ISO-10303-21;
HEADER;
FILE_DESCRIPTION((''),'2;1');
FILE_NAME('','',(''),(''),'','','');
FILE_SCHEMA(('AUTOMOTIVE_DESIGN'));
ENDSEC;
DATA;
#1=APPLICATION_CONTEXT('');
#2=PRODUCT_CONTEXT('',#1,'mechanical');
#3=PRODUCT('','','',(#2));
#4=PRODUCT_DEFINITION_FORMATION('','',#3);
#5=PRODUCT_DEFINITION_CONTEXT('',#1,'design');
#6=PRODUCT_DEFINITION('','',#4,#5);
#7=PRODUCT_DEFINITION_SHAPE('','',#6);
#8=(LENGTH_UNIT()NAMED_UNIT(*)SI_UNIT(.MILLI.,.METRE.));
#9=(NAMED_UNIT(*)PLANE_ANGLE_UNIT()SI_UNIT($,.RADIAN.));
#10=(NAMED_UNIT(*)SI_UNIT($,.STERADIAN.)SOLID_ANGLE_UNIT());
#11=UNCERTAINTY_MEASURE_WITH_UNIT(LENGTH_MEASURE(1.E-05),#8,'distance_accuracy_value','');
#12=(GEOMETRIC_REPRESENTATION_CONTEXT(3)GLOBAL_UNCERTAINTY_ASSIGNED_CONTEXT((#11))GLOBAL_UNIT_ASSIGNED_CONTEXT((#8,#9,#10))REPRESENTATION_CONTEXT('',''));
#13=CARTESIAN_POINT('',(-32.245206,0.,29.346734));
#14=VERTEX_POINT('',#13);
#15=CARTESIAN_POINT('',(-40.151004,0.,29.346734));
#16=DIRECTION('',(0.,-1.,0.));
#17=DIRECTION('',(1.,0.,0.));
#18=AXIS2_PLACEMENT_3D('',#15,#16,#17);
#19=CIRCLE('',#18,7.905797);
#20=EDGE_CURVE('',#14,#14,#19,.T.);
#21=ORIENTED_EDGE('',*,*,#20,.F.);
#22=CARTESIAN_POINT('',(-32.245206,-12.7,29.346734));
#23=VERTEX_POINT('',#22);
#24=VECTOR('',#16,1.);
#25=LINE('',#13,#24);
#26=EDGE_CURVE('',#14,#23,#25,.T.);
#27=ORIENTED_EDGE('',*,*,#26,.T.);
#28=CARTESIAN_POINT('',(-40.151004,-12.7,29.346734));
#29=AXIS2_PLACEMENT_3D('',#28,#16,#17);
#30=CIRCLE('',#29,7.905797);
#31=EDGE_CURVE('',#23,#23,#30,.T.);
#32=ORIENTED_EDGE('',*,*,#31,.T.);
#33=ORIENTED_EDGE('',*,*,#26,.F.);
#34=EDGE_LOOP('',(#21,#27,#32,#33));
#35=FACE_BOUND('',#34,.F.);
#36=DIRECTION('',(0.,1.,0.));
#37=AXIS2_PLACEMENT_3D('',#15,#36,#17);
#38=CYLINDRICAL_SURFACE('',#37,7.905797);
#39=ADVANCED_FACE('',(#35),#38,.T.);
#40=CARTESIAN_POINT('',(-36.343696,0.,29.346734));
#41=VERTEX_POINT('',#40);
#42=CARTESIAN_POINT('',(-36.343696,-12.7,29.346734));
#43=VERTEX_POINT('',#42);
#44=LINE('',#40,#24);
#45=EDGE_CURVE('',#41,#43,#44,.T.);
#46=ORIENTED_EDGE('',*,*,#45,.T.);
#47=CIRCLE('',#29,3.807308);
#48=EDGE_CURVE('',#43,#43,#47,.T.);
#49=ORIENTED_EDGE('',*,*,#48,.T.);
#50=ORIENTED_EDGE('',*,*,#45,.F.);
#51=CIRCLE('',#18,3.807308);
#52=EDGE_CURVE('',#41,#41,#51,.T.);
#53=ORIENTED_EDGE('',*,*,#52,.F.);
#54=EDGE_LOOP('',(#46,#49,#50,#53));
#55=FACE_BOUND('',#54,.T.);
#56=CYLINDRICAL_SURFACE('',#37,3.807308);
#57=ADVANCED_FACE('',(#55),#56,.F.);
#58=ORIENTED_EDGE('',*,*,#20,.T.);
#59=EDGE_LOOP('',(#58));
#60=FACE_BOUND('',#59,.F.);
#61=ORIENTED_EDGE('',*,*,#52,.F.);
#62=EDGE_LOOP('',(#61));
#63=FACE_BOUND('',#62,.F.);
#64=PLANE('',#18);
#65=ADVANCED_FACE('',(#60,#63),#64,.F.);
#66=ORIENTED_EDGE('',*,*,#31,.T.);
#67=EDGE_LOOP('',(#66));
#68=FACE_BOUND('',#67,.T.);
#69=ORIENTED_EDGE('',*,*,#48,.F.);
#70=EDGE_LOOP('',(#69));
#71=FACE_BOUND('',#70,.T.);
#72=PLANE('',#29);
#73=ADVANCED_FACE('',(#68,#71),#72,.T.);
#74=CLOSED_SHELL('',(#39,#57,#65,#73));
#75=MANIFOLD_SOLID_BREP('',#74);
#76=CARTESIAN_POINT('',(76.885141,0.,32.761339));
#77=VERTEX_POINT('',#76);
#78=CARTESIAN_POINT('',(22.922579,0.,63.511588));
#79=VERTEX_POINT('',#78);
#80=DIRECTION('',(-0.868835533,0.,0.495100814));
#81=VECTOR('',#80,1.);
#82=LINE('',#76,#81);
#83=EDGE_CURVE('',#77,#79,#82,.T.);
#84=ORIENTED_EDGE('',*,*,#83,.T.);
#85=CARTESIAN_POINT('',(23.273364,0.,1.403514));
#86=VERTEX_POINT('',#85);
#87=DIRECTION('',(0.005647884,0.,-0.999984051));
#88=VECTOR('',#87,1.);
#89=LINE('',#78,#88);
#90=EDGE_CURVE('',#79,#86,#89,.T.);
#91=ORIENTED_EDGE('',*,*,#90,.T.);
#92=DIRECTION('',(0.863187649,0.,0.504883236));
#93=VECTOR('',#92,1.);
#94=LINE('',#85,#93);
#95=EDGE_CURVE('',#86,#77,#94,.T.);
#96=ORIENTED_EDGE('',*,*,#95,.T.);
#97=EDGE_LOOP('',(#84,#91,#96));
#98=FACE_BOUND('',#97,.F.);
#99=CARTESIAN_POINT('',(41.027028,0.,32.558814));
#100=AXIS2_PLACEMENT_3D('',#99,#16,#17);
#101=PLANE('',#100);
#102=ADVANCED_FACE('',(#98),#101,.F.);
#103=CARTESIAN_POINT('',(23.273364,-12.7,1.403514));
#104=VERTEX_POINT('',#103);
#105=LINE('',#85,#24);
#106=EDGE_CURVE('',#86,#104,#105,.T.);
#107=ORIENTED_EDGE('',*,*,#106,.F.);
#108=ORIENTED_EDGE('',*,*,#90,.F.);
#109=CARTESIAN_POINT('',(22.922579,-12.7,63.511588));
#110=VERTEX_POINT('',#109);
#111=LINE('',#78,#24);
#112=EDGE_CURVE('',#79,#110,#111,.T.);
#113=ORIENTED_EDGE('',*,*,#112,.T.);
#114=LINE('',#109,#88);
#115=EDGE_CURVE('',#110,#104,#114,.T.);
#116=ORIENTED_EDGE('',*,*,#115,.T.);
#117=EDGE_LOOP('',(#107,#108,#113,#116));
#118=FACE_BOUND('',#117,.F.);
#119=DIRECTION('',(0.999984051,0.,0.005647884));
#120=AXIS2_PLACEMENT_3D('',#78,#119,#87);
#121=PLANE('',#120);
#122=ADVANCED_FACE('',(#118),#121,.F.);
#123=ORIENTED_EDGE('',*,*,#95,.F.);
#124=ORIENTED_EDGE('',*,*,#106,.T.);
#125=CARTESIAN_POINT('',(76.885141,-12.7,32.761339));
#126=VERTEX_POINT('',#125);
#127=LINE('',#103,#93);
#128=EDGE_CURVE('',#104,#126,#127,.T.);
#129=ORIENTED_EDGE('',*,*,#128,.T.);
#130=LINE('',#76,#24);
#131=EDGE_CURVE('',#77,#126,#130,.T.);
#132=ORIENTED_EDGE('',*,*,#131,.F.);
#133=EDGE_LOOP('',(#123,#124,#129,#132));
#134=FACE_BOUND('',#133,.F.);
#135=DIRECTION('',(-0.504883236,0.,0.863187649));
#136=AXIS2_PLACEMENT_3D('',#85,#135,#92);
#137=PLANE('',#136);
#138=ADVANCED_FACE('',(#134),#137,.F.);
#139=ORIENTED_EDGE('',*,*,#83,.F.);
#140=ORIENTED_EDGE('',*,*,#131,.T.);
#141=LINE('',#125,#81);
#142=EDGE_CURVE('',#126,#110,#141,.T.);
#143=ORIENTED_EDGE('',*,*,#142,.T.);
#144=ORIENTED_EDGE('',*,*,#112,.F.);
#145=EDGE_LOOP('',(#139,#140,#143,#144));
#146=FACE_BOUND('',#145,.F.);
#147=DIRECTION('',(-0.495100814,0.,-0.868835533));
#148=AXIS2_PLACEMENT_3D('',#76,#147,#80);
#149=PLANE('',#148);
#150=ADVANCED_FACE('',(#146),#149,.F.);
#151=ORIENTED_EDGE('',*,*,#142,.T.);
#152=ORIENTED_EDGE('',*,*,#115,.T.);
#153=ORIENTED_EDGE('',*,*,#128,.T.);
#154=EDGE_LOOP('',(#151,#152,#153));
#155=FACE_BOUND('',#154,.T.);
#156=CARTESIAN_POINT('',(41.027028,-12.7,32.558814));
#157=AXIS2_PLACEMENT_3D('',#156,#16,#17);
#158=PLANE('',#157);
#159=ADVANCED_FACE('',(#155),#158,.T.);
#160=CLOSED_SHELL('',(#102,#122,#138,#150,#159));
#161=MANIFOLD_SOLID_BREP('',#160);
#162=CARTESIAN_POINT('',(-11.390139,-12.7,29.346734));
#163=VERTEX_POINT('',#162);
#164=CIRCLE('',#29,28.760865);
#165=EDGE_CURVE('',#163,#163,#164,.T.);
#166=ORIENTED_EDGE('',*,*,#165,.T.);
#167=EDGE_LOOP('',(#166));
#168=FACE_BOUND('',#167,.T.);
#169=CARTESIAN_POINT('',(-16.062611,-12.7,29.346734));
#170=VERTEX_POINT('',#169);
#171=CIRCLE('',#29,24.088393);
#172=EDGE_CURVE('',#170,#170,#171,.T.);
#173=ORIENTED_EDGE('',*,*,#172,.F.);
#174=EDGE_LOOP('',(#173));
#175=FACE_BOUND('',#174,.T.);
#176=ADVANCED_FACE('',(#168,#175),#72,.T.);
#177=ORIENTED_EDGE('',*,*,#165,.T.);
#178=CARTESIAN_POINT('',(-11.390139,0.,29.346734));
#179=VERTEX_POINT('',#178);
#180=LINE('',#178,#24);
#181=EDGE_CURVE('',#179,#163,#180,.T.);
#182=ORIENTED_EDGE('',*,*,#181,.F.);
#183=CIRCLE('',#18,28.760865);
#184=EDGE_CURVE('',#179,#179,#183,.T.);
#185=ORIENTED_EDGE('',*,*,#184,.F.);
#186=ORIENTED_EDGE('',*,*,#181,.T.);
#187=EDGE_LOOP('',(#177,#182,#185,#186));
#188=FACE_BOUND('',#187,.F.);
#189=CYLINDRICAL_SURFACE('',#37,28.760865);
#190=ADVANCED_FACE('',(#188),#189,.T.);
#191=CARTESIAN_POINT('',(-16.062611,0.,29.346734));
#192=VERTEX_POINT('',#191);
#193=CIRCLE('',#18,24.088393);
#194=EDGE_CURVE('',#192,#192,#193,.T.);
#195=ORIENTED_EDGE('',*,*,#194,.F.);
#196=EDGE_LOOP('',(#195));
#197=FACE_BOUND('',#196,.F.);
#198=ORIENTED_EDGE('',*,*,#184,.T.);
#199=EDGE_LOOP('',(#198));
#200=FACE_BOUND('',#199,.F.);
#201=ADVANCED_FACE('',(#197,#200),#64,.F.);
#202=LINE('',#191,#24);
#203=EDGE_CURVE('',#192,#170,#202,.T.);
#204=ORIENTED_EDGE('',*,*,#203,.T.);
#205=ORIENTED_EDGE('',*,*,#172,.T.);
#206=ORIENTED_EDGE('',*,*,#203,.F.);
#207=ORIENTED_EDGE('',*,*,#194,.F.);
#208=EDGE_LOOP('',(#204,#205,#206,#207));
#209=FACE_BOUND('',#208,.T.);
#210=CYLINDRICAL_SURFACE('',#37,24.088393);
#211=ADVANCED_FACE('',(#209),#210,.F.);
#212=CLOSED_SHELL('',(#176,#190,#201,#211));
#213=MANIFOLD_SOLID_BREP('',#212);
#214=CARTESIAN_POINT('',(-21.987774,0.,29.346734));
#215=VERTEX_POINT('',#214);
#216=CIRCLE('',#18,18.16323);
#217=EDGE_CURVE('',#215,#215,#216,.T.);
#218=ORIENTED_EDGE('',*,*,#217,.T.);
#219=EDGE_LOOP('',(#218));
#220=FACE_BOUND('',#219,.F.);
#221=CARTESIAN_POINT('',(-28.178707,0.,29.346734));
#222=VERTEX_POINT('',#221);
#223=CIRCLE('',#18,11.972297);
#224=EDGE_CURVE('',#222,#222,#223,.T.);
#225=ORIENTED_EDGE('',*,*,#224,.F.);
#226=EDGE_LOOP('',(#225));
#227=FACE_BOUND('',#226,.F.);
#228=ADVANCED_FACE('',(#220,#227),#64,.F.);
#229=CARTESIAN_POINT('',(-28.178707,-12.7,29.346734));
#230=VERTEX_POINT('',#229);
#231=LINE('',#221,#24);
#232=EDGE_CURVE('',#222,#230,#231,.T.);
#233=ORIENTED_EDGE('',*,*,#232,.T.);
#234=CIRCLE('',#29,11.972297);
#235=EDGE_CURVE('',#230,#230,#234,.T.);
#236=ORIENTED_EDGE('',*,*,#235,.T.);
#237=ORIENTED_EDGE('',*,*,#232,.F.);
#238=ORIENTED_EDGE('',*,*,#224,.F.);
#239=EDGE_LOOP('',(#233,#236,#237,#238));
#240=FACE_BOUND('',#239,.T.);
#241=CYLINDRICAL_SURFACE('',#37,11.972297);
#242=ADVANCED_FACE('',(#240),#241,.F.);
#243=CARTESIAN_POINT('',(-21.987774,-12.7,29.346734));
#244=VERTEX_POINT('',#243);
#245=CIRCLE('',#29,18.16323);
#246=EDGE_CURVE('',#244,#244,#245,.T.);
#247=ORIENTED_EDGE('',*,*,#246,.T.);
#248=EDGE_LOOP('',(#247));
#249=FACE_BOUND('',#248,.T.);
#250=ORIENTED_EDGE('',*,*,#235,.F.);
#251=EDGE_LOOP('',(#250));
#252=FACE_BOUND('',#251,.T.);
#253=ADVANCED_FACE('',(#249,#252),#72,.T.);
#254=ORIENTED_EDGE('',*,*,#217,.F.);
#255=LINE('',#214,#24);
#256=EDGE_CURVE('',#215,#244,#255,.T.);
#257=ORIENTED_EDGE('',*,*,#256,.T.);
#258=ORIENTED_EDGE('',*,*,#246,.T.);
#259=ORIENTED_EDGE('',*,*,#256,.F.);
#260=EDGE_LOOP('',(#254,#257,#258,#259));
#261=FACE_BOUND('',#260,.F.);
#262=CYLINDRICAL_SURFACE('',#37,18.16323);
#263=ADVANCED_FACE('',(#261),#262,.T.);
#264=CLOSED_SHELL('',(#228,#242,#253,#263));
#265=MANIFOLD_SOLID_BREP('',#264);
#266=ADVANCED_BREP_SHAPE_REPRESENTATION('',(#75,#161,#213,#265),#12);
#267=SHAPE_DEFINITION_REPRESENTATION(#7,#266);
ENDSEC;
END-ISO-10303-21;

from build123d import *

# Parameters (mm, degrees)
F0_R     = 18.1632297986
F0_R_2   = 11.972296983
F2_DEPTH = 12.7
F0_R_3   = 28.7608650041
F0_R_4   = 24.0883927658
F0_R_5   = 7.905797456
F0_R_6   = 3.8073076238
F3_DEPTH = 12.7


with BuildPart() as f2:
    # F0 (on Front) → F2 (new body)
    with BuildSketch(Plane.XZ):
        with Locations((-40.1510037482, 29.3467342854)):
            Circle(F0_R)
        with Locations((-40.1510037482, 29.3467342854)):
            Circle(F0_R_2, mode=Mode.SUBTRACT)
    extrude(amount=F2_DEPTH)


with BuildPart() as f2b:
    # F0 (on Front) → F2, piece 2 (new body)
    with BuildSketch(Plane.XZ):
        with Locations((-40.1510037482, 29.3467342854)):
            Circle(F0_R_3)
        with Locations((-40.1510037482, 29.3467342854)):
            Circle(F0_R_4, mode=Mode.SUBTRACT)
    extrude(amount=F2_DEPTH)


with BuildPart() as f2c:
    # F0 (on Front) → F2, piece 3 (new body)
    with BuildSketch(Plane.XZ):
        with Locations((-40.1510037482, 29.3467342854)):
            Circle(F0_R_5)
        with Locations((-40.1510037482, 29.3467342854)):
            Circle(F0_R_6, mode=Mode.SUBTRACT)
    extrude(amount=F2_DEPTH)


with BuildPart() as f3:
    # F1 (on Front) → F3 (new body)
    with BuildSketch(Plane.XZ):
        Polygon((23.2733639794, 1.4035140155), (76.8851411623, 32.7613393785), (22.9225791991, 63.5115876794), align=None)
    extrude(amount=F3_DEPTH)


solid = Compound([f2.part, f2b.part, f2c.part, f3.part])
